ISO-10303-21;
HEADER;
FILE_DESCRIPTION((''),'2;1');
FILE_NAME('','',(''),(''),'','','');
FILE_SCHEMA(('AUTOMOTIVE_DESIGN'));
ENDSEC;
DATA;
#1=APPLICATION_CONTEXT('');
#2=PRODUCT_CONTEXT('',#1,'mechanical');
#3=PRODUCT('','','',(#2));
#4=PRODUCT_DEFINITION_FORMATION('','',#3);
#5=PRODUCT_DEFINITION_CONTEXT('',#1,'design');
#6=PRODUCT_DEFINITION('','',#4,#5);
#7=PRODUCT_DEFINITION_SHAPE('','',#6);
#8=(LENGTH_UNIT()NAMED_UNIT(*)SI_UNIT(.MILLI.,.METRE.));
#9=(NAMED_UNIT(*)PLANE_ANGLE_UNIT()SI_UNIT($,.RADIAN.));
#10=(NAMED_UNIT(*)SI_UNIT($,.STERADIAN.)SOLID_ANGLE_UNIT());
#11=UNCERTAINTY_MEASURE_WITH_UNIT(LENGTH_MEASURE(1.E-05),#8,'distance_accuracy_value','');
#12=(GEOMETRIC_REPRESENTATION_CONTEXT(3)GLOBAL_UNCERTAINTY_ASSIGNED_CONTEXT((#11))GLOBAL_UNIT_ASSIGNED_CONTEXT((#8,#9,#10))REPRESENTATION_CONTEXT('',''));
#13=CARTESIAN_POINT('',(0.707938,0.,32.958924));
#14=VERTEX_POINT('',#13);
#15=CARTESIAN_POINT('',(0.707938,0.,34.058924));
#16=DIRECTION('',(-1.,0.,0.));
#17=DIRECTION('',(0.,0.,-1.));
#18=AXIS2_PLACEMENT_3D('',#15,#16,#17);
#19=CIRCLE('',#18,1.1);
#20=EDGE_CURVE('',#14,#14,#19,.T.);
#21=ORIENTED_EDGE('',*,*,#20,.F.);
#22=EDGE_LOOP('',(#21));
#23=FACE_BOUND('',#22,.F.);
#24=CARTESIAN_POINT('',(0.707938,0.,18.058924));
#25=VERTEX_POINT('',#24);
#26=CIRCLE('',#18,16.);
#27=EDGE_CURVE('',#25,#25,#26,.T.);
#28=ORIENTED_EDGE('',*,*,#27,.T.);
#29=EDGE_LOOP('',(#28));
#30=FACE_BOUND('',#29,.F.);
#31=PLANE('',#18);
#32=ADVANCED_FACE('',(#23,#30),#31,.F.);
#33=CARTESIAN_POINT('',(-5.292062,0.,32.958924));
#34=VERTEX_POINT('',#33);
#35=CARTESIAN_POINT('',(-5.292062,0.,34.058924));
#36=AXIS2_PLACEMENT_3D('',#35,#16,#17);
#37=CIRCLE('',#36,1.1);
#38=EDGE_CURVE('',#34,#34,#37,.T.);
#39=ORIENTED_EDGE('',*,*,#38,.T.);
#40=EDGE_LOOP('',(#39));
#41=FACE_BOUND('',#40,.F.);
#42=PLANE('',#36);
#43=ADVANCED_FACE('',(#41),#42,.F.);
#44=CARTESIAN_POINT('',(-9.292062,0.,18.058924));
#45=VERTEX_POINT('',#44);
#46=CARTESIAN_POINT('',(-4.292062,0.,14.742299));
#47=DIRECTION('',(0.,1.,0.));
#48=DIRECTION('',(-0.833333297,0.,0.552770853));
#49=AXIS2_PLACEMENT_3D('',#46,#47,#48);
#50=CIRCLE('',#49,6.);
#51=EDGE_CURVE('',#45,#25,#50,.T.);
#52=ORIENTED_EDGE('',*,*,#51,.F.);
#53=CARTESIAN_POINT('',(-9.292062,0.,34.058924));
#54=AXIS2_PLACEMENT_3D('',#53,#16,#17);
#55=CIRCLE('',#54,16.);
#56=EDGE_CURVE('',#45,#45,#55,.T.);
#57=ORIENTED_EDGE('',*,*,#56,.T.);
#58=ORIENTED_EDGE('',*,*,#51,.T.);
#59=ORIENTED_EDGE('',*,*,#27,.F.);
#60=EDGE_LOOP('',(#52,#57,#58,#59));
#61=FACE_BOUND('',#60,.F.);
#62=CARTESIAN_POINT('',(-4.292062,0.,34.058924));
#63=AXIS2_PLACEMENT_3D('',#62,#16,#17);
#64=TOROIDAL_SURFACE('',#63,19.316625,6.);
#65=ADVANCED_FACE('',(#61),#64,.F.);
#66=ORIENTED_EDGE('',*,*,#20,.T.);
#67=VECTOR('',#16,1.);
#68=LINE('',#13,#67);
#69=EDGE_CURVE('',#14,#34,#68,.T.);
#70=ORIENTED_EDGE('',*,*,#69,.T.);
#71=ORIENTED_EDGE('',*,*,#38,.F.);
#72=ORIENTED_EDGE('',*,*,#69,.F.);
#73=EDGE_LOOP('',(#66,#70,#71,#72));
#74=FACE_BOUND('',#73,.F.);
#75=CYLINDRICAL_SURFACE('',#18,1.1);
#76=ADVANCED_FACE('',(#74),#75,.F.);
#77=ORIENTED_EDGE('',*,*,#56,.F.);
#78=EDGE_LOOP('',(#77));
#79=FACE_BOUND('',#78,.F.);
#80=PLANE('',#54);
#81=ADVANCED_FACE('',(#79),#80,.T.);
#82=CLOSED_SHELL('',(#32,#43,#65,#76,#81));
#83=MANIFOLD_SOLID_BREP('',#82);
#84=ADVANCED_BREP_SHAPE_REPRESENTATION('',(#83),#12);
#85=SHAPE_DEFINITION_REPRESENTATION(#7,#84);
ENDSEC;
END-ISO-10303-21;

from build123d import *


with BuildPart() as f1:
    # F0 (on Front) → F1 (revolve)
    with BuildSketch(Plane.XZ):
        with BuildLine():
            ThreePointArc((-9.292062, 18.058924), (-4.292062, 20.742299), (0.707938, 18.058924))
            Line((0.707938, 18.058924), (0.707938, 32.958924))
            Line((0.707938, 32.958924), (-5.292062, 32.958924))
            Line((-5.292062, 32.958924), (-5.292062, 34.058924))
            Line((-5.292062, 34.058924), (-9.292062, 34.058924))
            Line((-9.292062, 34.058924), (-9.292062, 32.958924))
            Line((-9.292062, 32.958924), (-9.292062, 18.058924))
        make_face()
    revolve(axis=Axis((-7.292062, 0, 34.058924), (-1, 0, 0)))


solid = f1.part
